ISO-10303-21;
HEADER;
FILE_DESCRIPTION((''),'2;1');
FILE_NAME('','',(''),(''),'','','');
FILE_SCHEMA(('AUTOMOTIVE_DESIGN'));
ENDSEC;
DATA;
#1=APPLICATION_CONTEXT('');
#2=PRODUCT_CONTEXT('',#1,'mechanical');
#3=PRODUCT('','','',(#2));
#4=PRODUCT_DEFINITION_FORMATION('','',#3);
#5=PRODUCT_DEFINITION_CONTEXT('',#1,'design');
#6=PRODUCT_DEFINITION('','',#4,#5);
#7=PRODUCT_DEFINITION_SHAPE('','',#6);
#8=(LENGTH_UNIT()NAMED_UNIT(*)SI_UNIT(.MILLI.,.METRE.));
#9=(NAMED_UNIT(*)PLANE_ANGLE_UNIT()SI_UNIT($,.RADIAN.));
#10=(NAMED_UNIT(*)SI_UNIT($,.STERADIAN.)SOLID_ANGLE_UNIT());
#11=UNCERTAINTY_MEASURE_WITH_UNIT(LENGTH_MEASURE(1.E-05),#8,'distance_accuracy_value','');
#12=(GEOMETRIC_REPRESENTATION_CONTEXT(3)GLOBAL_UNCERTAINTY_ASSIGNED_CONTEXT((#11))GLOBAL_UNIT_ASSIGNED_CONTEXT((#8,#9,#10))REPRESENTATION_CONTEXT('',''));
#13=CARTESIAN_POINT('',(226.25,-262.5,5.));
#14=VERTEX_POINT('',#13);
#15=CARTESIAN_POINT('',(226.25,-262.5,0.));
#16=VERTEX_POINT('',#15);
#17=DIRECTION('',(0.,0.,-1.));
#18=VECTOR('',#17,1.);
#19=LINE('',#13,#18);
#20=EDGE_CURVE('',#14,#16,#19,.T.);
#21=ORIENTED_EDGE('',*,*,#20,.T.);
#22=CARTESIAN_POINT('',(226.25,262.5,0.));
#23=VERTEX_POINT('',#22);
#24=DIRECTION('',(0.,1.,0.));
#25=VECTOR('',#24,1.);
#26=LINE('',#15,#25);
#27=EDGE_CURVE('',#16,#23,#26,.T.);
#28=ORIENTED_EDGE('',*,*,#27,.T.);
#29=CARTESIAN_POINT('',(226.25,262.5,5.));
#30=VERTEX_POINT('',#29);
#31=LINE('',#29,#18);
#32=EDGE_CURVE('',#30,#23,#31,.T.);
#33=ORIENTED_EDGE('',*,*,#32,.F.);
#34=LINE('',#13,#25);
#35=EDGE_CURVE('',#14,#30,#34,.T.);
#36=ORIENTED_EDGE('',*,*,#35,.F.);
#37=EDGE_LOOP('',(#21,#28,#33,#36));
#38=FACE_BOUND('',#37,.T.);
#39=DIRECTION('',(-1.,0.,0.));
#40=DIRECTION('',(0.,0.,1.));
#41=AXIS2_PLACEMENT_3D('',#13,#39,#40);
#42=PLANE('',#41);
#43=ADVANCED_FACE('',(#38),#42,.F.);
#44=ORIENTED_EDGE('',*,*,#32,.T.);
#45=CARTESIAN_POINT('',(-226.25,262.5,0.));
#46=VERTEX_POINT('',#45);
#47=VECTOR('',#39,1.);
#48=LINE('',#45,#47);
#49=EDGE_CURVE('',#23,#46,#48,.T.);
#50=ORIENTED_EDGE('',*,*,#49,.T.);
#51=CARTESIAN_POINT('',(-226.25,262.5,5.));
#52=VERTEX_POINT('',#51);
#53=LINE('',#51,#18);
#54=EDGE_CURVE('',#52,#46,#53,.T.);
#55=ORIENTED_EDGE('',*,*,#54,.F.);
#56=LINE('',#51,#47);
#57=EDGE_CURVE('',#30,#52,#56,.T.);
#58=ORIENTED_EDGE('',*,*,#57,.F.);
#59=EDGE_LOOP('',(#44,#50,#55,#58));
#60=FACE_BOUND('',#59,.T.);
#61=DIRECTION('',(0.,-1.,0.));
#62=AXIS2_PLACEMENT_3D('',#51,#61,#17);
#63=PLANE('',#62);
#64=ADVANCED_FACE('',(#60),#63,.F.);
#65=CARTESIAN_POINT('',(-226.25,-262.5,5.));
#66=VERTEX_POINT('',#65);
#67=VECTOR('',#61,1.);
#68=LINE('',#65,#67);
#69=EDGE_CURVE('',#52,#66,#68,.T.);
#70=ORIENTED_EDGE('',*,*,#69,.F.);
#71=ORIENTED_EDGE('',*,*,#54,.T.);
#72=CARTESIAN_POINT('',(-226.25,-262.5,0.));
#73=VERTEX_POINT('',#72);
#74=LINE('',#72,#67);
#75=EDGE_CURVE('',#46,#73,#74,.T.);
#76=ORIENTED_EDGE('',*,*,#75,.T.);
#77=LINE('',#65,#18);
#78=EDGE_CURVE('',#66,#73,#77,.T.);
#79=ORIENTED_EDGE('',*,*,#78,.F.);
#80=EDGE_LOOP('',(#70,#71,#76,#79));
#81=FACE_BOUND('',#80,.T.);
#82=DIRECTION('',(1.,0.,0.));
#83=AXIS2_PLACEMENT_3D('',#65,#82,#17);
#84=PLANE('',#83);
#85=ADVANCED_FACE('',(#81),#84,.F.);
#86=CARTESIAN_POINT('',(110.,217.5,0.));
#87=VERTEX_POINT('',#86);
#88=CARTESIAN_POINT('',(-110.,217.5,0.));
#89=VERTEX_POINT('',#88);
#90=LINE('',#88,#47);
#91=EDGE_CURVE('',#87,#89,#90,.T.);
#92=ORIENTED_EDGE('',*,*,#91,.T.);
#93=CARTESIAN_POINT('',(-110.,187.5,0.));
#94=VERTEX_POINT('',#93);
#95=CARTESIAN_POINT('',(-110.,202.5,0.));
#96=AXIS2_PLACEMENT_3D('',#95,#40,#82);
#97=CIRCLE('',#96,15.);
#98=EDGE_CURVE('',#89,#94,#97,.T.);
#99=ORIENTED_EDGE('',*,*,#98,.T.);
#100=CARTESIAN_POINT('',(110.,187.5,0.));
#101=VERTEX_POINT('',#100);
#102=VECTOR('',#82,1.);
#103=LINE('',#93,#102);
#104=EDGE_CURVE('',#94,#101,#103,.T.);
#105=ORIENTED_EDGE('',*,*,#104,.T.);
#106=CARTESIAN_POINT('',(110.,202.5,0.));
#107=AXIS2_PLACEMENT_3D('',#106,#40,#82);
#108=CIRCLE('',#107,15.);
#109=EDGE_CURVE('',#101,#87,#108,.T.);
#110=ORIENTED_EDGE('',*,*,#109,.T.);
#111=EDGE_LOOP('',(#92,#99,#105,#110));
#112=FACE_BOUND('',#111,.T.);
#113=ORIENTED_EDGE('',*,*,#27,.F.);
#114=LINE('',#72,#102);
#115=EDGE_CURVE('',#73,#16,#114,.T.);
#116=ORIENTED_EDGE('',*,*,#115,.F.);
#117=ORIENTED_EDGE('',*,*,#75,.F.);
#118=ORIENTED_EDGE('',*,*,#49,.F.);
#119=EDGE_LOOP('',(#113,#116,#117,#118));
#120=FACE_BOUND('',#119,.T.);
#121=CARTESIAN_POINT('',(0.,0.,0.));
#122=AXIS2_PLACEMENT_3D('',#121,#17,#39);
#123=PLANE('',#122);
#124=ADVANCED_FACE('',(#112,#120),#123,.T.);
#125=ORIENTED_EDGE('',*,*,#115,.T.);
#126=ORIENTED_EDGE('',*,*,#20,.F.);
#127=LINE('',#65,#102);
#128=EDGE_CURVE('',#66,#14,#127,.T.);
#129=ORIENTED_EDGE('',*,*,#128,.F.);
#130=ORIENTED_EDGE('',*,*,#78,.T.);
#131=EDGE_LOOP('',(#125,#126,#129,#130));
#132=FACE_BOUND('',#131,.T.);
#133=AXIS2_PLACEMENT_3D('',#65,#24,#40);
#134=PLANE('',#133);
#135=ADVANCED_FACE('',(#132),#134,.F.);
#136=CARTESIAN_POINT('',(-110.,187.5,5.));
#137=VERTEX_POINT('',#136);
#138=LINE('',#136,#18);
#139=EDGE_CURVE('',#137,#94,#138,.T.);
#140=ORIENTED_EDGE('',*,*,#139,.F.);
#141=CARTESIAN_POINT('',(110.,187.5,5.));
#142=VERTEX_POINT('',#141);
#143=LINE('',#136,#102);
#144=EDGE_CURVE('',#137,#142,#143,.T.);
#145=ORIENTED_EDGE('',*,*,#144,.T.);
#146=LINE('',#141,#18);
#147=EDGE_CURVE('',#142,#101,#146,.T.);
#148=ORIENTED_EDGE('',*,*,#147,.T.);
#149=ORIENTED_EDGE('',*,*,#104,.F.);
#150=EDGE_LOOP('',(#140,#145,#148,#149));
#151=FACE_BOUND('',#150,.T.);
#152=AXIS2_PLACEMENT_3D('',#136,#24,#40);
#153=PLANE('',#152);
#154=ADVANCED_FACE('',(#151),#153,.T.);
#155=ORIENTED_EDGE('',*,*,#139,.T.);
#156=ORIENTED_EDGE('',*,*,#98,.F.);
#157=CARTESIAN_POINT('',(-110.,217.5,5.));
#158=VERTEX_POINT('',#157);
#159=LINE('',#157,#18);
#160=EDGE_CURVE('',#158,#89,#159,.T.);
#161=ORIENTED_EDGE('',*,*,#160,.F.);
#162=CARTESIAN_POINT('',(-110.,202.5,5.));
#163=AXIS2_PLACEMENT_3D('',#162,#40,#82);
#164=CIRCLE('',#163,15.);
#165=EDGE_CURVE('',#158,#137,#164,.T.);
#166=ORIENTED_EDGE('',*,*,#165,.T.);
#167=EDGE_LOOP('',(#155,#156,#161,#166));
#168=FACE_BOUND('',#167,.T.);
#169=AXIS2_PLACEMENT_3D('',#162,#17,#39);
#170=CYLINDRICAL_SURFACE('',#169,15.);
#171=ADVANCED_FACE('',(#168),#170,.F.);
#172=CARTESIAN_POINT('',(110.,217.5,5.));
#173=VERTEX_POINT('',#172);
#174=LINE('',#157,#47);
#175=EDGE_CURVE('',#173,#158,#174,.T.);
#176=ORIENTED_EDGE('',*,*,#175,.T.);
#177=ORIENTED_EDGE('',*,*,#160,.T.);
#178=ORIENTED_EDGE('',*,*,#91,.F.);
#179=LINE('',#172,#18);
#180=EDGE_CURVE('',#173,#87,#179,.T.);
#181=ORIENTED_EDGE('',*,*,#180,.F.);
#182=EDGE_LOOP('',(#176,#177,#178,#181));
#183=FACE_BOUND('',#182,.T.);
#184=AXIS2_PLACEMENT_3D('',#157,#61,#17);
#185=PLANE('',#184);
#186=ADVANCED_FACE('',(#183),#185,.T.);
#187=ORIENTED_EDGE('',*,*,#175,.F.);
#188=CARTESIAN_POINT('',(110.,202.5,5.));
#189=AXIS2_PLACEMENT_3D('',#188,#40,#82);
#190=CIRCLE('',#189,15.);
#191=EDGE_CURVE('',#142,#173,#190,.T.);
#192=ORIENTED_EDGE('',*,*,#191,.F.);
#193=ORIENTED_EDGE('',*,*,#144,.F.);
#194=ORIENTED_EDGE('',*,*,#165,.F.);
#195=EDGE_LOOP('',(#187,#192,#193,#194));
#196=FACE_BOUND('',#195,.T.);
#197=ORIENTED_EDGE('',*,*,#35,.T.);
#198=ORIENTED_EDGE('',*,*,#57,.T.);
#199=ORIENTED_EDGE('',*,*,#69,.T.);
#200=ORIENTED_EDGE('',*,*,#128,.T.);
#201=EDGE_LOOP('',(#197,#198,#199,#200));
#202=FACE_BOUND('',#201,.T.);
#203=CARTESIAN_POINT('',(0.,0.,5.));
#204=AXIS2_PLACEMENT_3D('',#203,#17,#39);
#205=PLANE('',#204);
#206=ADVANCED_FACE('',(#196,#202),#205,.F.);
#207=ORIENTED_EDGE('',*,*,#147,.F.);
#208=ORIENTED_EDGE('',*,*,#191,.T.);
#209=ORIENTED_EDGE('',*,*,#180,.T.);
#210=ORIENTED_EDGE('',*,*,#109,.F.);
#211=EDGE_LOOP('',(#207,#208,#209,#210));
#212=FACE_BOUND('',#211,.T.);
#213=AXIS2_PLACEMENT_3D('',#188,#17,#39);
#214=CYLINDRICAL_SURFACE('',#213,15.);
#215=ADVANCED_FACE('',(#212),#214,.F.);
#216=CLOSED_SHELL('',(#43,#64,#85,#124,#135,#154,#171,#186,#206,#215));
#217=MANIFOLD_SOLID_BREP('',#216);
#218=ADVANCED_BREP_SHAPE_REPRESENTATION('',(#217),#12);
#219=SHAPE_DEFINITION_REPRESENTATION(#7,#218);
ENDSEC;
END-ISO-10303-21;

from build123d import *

# Parameters (mm, degrees)
SKETCH_1_W      = 452.5
SKETCH_1_H      = 525
EXTRUDE_1_DEPTH = 5


with BuildPart() as part:
    # 草图1 → 凸台-拉伸1 (new body)
    with BuildSketch(Plane.XY):
        Rectangle(SKETCH_1_W, SKETCH_1_H)
        with BuildLine():
            Line((-110, 217.5), (110, 217.5))
            ThreePointArc((110, 217.5), (125, 202.5), (110, 187.5))
            Line((110, 187.5), (-110, 187.5))
            ThreePointArc((-110, 187.5), (-125, 202.5), (-110, 217.5))
        make_face(mode=Mode.SUBTRACT)
    extrude(amount=EXTRUDE_1_DEPTH)


solid = part.part
